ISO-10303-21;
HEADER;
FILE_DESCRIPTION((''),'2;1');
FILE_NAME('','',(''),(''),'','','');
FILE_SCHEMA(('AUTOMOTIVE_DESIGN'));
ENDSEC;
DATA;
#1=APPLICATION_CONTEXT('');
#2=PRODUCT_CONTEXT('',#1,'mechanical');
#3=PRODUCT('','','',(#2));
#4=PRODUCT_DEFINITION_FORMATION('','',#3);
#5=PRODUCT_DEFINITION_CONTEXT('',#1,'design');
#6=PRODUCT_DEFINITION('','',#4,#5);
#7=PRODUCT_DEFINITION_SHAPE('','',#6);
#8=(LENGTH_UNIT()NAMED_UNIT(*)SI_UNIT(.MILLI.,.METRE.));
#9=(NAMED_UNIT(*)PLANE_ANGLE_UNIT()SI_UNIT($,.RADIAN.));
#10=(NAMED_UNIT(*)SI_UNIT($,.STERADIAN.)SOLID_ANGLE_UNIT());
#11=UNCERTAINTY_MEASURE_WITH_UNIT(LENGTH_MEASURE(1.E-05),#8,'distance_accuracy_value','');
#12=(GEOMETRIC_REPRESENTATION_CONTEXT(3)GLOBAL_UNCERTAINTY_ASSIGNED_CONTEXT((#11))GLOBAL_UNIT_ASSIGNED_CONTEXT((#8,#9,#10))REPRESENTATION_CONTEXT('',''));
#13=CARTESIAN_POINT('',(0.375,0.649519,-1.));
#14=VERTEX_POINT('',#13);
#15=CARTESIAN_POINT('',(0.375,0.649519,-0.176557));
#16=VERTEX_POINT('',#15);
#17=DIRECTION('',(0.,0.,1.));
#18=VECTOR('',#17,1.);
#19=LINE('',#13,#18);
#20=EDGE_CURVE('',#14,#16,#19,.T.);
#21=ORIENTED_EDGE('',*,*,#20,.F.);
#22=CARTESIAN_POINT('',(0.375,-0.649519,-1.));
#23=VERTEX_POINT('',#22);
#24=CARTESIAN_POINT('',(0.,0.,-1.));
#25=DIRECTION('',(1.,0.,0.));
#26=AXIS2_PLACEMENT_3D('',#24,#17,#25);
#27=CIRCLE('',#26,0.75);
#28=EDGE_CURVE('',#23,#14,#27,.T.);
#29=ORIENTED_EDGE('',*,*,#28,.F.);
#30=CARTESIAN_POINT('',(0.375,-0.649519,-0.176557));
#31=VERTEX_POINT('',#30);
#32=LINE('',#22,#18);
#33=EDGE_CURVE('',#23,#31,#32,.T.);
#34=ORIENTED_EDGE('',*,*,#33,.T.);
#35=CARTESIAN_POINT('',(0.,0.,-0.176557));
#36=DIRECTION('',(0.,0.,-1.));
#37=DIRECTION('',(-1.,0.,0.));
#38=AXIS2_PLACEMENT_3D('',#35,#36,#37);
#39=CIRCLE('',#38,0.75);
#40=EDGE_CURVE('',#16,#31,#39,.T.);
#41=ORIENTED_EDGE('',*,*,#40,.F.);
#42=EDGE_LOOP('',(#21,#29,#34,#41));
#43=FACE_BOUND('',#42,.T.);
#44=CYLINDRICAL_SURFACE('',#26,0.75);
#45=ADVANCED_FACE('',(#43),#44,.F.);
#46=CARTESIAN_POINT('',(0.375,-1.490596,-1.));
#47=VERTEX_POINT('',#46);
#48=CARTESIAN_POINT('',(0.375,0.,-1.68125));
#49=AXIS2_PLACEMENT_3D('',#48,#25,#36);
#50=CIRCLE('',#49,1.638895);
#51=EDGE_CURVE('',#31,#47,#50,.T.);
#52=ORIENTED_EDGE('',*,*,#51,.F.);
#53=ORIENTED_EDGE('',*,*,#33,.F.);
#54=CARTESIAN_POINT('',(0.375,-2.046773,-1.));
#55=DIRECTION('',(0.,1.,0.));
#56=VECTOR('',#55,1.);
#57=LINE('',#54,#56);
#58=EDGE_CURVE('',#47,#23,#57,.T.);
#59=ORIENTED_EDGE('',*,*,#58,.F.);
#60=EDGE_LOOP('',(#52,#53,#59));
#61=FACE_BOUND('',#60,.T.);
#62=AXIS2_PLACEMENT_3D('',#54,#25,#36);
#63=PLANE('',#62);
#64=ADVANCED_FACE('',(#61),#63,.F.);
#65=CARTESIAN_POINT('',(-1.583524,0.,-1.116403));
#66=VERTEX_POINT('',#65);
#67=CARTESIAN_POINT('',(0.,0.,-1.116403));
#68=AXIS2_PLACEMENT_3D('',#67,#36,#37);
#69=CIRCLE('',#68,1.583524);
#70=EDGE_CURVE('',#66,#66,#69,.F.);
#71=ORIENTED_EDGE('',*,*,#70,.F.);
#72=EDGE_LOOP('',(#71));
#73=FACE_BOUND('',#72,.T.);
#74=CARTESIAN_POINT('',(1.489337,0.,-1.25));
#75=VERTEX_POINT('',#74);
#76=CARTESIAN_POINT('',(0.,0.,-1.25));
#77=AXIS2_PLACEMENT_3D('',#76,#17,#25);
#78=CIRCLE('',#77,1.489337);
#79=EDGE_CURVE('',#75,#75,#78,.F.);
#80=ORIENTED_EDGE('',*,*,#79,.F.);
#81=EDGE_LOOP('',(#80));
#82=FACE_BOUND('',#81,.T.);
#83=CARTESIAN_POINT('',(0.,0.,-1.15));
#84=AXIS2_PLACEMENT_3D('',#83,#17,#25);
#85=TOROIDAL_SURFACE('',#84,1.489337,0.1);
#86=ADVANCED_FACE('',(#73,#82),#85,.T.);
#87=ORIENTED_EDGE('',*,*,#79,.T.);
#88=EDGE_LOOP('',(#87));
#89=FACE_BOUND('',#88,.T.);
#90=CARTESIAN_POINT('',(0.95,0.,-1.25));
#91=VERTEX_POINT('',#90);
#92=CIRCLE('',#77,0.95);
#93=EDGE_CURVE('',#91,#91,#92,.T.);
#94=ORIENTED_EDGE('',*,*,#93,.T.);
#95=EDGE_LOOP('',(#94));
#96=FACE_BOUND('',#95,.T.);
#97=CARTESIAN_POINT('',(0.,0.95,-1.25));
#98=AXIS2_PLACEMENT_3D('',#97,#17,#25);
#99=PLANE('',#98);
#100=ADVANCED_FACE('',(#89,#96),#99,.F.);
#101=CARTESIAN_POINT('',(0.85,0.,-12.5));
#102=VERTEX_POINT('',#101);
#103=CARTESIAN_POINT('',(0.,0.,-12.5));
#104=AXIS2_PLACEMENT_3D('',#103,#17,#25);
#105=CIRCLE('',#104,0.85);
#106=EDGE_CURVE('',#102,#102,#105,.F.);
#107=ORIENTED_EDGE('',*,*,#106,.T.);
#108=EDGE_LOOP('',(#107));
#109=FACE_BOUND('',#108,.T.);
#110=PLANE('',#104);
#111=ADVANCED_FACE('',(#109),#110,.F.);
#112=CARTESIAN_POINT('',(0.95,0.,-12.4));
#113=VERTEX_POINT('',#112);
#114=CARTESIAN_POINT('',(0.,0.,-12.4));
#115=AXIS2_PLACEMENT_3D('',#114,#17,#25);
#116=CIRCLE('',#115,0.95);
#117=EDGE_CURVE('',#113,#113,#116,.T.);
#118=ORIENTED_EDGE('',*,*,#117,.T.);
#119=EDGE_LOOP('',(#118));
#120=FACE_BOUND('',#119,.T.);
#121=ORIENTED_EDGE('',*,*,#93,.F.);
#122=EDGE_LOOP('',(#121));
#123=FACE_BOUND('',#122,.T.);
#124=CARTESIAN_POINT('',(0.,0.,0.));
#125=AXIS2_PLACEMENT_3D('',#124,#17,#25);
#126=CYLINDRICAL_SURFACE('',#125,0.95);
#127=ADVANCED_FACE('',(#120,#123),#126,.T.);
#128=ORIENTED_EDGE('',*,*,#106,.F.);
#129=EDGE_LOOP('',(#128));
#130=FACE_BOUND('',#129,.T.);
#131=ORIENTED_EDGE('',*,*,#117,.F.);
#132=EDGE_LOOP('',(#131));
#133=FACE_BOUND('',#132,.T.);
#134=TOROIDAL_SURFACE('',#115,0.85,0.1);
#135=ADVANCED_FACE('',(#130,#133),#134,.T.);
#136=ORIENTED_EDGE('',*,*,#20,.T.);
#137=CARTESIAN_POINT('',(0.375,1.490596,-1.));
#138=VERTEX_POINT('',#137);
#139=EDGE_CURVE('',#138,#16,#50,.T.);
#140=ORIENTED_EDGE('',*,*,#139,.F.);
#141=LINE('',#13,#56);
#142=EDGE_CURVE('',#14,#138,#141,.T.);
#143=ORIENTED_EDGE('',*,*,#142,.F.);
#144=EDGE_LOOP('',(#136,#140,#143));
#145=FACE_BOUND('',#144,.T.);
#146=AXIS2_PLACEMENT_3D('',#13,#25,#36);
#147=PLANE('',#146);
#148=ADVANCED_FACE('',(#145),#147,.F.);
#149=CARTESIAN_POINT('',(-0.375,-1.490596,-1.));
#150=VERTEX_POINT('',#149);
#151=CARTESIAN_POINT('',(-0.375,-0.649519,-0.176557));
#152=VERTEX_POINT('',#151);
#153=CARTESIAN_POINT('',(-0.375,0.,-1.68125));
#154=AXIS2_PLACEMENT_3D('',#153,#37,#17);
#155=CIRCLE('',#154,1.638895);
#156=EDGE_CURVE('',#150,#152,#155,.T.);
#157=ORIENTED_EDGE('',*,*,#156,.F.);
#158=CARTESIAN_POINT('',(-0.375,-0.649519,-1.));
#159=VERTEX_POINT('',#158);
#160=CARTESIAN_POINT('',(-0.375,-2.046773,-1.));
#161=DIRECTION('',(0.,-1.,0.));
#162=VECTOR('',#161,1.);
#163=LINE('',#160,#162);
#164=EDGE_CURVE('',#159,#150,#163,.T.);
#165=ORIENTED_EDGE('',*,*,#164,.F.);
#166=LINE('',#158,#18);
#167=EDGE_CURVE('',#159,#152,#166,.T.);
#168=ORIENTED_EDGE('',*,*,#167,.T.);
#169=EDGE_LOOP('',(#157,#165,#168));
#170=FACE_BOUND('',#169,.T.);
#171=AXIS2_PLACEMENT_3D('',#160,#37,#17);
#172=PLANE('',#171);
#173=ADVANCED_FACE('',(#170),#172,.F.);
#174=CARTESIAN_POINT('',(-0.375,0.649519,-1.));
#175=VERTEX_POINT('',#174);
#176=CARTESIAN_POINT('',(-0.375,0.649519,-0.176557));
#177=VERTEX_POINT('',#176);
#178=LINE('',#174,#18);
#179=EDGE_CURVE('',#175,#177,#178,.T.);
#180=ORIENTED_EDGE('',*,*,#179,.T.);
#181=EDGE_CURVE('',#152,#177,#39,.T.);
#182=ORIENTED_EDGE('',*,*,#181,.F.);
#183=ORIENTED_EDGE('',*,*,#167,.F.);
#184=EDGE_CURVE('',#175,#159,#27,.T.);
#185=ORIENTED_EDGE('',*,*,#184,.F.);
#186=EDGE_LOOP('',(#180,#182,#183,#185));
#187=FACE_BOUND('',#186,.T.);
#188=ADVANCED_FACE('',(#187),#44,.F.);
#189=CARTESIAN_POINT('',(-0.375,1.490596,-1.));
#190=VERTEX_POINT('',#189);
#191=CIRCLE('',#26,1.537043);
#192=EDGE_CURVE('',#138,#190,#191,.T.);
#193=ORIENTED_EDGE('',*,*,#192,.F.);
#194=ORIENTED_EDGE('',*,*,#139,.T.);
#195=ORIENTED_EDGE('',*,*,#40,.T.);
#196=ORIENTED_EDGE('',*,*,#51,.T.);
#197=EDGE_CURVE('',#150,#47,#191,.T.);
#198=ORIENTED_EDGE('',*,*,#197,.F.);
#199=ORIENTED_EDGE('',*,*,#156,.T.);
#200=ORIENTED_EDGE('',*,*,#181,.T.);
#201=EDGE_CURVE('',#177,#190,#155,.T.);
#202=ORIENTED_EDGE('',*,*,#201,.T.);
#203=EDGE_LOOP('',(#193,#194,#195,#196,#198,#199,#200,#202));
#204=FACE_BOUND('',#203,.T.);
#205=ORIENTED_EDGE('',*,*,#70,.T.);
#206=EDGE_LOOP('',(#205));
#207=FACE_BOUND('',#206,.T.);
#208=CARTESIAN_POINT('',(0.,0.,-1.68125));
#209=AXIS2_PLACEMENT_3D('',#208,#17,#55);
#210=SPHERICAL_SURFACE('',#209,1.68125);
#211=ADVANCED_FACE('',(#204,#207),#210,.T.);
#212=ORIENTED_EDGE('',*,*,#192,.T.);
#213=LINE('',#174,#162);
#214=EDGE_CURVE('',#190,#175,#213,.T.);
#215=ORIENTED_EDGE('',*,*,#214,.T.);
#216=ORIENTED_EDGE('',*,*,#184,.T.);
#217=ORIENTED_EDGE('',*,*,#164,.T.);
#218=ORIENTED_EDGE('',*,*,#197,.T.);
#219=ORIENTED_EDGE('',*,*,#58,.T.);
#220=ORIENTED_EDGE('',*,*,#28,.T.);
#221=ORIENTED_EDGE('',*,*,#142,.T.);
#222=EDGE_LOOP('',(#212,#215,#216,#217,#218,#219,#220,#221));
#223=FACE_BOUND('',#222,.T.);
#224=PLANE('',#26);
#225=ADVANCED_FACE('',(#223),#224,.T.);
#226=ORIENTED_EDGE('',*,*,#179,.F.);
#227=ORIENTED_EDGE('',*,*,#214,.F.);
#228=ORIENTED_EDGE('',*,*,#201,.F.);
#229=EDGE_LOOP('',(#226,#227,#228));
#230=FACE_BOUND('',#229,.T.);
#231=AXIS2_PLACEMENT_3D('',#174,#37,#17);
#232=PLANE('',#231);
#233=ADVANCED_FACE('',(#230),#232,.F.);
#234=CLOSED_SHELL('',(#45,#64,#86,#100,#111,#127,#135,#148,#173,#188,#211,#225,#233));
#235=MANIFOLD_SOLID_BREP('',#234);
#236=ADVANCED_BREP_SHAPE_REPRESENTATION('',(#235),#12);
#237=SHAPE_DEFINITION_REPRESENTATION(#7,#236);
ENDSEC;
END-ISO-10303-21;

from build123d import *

# Parameters (mm, degrees)
CUT_EXTRUDE1_DEPTH = 1
FILLET1_R          = 0.1


with BuildPart() as part:
    # Sketch2 → Revolve1 (revolve)
    with BuildSketch(Plane(origin=(0, 0, 0), x_dir=(0, 0, -1), z_dir=(1, 0, 0))):
        with BuildLine():
            Line((0, 0), (12.5, 0))
            Line((12.5, 0), (12.5, 0.95))
            Line((12.5, 0.95), (1.25, 0.95))
            Line((1.25, 0.95), (1.25, 1.625))
            ThreePointArc((1.25, 1.625), (0.348650918, 1.025076217), (0, 0))
        make_face()
    revolve(axis=Axis((0, 0, 0), (0, 0, -1)))

    # Sketch3 → Cut-Extrude1 (cut)
    with BuildSketch(Plane.XY):
        with BuildLine():
            Line((0.375, 0.649519053), (0.375, 2.046773305))
            Line((0.375, 2.046773305), (-0.375, 2.046773305))
            Line((-0.375, 2.046773305), (-0.375, 0.649519053))
            ThreePointArc((-0.375, 0.649519053), (-0.75, 0), (-0.375, -0.649519053))
            Line((-0.375, -0.649519053), (-0.375, -2.046773305))
            Line((-0.375, -2.046773305), (0.375, -2.046773305))
            Line((0.375, -2.046773305), (0.375, -0.649519053))
            ThreePointArc((0.375, -0.649519053), (0.75, 0), (0.375, 0.649519053))
        make_face()
    extrude(amount=-CUT_EXTRUDE1_DEPTH, mode=Mode.SUBTRACT)

    # Fillet1
    fillet1_edges = [part.edges().sort_by_distance(p)[0] for p in [
        (0, -0.95, -12.5),
        (0, -1.625, -1.25),
    ]]
    fillet(fillet1_edges, radius=FILLET1_R)


solid = part.part
